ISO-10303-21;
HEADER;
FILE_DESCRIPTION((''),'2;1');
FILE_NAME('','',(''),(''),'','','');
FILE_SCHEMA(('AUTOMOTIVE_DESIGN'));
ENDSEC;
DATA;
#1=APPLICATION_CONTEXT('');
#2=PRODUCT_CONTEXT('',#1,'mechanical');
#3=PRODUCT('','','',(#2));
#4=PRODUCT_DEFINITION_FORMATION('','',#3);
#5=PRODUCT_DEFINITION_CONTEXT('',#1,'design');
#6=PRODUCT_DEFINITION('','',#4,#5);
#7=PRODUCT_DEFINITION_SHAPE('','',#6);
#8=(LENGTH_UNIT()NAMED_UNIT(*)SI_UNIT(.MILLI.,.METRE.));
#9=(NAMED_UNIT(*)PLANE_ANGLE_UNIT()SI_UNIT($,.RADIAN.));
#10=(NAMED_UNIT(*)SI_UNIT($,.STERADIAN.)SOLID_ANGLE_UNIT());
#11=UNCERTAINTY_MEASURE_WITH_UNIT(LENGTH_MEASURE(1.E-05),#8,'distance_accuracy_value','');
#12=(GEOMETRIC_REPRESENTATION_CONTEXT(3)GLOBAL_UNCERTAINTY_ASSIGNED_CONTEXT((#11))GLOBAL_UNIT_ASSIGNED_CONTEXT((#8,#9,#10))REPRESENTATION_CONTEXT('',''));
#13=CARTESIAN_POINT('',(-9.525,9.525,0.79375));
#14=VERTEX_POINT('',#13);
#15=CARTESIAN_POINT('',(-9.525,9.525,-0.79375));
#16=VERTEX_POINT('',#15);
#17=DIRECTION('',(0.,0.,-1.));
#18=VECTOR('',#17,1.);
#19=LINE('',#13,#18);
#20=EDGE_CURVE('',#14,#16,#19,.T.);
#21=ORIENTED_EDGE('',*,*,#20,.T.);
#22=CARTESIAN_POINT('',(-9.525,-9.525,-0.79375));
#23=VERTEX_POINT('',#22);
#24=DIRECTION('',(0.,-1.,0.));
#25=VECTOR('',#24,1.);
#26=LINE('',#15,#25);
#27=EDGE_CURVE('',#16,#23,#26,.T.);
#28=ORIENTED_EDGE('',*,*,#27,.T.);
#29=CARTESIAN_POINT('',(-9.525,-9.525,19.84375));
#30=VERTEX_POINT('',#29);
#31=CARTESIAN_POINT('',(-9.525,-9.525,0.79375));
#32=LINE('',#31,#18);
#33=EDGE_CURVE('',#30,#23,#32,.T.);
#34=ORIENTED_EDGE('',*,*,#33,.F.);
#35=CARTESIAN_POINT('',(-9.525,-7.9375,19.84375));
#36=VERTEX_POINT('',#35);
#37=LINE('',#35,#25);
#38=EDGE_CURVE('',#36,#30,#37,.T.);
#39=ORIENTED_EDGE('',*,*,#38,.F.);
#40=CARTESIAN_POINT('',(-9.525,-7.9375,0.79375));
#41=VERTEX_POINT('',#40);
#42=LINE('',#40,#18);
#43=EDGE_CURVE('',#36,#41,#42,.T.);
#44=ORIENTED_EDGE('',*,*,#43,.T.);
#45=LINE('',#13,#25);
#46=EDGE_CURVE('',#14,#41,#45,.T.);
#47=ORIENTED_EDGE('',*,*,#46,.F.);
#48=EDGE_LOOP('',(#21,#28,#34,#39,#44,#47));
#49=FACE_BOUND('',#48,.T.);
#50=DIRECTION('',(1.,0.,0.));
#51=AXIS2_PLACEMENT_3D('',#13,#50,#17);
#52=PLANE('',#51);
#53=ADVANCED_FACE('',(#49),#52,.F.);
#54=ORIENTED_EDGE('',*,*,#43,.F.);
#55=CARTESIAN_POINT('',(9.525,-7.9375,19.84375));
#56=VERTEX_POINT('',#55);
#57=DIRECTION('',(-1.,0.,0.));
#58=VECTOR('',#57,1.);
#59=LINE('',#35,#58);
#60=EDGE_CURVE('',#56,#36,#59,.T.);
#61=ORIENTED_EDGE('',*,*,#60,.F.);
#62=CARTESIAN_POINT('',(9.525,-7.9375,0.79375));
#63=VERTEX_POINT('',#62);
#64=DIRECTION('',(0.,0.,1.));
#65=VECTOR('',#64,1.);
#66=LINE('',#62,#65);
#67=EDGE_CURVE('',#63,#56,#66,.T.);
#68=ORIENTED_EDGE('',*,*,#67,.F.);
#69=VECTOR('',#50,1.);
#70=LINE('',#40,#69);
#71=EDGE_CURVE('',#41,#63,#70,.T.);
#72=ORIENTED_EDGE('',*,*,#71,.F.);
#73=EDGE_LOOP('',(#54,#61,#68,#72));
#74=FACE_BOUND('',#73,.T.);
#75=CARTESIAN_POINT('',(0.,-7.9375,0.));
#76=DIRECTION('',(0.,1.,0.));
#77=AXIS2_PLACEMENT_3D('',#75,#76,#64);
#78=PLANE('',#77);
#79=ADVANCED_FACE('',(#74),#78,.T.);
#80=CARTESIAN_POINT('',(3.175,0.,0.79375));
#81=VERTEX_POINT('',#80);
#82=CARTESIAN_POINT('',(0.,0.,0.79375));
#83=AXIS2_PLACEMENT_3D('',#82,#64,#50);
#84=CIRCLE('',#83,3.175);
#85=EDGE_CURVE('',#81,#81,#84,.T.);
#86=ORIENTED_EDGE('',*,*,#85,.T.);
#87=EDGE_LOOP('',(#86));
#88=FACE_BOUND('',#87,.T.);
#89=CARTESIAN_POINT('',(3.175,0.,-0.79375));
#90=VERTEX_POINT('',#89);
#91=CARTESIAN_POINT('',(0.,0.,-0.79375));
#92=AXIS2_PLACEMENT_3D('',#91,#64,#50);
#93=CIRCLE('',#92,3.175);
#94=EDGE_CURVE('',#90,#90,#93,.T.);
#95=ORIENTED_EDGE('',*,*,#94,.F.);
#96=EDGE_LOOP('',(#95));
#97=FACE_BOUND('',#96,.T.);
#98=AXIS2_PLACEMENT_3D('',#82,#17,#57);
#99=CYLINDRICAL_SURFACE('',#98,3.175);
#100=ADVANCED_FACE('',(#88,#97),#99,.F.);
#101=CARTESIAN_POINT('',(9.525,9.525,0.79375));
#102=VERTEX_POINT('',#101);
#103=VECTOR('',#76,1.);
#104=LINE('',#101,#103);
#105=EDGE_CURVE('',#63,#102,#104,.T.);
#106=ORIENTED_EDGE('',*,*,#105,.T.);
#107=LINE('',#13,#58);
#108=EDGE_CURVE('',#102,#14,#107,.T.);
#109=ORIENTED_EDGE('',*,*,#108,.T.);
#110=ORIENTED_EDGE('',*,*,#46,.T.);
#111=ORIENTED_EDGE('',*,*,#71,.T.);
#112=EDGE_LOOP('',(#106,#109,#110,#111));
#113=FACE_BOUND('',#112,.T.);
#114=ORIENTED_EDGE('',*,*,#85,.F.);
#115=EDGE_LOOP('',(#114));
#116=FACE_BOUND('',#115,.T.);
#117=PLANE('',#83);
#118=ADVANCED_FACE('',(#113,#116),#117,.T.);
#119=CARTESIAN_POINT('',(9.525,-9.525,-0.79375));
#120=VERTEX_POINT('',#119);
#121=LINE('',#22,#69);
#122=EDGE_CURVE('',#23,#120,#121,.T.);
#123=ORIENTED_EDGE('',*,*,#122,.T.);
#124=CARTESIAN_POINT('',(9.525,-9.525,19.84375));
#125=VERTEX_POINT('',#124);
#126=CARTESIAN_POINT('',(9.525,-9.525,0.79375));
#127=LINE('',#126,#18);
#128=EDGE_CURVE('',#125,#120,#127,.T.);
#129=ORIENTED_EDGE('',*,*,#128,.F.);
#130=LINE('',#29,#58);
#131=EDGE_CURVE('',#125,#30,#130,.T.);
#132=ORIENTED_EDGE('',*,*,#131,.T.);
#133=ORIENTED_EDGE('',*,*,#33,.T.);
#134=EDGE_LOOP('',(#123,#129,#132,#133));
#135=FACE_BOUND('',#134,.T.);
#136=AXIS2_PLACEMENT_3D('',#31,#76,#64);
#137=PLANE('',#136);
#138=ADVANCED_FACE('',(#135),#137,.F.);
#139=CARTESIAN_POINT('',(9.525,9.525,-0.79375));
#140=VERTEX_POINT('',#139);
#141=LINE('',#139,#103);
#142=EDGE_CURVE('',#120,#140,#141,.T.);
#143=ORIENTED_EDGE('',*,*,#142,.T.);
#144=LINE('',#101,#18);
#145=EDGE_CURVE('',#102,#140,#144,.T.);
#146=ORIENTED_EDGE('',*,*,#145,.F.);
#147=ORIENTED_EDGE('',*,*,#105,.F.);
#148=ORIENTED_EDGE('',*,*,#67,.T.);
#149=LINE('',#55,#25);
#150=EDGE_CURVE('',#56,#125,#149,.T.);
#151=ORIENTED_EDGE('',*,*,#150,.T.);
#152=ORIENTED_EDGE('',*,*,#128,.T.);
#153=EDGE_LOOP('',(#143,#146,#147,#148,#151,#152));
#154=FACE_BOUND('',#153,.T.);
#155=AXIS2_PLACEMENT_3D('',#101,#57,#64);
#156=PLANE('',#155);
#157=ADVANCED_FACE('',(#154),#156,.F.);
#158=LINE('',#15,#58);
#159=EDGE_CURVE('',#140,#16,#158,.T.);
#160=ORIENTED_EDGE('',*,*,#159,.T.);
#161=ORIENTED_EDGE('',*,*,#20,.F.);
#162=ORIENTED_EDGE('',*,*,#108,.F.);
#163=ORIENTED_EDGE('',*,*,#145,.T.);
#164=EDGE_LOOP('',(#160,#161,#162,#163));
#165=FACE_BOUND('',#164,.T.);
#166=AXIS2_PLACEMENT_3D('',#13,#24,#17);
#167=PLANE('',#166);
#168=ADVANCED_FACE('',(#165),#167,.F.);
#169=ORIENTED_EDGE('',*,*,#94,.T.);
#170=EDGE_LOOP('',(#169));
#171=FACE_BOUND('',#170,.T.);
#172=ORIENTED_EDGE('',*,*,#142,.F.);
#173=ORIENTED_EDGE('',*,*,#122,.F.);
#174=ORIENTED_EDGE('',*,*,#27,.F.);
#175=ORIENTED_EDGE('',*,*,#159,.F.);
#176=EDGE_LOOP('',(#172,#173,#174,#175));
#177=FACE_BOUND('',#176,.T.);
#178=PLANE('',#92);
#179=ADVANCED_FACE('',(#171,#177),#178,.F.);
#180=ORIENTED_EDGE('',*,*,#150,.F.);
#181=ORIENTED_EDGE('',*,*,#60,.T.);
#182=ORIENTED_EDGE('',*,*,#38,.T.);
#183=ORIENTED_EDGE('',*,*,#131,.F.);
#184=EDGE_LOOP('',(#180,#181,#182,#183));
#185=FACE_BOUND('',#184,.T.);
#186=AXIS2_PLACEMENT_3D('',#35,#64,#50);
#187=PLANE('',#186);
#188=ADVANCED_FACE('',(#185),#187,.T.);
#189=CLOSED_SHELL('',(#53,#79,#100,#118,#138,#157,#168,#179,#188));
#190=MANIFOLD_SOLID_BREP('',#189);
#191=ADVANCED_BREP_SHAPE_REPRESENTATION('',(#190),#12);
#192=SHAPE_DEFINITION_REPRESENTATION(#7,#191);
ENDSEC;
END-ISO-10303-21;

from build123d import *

# Parameters (mm, degrees)
SKETCH1_W           = 19.05
SKETCH1_H           = 19.05
SKETCH1_R           = 3.175
BOSS_EXTRUDE1_DEPTH = 0.79375
SKETCH2_W           = 19.05
SKETCH2_H           = 19.05
BOSS_EXTRUDE2_DEPTH = 1.5875


with BuildPart() as part:
    # Sketch1 → Boss-Extrude1 (new body, symmetric)
    with BuildSketch(Plane.XY):
        Rectangle(SKETCH1_W, SKETCH1_H)
        Circle(SKETCH1_R, mode=Mode.SUBTRACT)
    extrude(amount=BOSS_EXTRUDE1_DEPTH, both=True)

    # Sketch2 → Boss-Extrude2 (add)
    with BuildSketch(Plane.XZ.offset(9.525)):
        with Locations((0, 10.31875)):
            Rectangle(SKETCH2_W, SKETCH2_H)
    extrude(amount=-BOSS_EXTRUDE2_DEPTH)


solid = part.part
